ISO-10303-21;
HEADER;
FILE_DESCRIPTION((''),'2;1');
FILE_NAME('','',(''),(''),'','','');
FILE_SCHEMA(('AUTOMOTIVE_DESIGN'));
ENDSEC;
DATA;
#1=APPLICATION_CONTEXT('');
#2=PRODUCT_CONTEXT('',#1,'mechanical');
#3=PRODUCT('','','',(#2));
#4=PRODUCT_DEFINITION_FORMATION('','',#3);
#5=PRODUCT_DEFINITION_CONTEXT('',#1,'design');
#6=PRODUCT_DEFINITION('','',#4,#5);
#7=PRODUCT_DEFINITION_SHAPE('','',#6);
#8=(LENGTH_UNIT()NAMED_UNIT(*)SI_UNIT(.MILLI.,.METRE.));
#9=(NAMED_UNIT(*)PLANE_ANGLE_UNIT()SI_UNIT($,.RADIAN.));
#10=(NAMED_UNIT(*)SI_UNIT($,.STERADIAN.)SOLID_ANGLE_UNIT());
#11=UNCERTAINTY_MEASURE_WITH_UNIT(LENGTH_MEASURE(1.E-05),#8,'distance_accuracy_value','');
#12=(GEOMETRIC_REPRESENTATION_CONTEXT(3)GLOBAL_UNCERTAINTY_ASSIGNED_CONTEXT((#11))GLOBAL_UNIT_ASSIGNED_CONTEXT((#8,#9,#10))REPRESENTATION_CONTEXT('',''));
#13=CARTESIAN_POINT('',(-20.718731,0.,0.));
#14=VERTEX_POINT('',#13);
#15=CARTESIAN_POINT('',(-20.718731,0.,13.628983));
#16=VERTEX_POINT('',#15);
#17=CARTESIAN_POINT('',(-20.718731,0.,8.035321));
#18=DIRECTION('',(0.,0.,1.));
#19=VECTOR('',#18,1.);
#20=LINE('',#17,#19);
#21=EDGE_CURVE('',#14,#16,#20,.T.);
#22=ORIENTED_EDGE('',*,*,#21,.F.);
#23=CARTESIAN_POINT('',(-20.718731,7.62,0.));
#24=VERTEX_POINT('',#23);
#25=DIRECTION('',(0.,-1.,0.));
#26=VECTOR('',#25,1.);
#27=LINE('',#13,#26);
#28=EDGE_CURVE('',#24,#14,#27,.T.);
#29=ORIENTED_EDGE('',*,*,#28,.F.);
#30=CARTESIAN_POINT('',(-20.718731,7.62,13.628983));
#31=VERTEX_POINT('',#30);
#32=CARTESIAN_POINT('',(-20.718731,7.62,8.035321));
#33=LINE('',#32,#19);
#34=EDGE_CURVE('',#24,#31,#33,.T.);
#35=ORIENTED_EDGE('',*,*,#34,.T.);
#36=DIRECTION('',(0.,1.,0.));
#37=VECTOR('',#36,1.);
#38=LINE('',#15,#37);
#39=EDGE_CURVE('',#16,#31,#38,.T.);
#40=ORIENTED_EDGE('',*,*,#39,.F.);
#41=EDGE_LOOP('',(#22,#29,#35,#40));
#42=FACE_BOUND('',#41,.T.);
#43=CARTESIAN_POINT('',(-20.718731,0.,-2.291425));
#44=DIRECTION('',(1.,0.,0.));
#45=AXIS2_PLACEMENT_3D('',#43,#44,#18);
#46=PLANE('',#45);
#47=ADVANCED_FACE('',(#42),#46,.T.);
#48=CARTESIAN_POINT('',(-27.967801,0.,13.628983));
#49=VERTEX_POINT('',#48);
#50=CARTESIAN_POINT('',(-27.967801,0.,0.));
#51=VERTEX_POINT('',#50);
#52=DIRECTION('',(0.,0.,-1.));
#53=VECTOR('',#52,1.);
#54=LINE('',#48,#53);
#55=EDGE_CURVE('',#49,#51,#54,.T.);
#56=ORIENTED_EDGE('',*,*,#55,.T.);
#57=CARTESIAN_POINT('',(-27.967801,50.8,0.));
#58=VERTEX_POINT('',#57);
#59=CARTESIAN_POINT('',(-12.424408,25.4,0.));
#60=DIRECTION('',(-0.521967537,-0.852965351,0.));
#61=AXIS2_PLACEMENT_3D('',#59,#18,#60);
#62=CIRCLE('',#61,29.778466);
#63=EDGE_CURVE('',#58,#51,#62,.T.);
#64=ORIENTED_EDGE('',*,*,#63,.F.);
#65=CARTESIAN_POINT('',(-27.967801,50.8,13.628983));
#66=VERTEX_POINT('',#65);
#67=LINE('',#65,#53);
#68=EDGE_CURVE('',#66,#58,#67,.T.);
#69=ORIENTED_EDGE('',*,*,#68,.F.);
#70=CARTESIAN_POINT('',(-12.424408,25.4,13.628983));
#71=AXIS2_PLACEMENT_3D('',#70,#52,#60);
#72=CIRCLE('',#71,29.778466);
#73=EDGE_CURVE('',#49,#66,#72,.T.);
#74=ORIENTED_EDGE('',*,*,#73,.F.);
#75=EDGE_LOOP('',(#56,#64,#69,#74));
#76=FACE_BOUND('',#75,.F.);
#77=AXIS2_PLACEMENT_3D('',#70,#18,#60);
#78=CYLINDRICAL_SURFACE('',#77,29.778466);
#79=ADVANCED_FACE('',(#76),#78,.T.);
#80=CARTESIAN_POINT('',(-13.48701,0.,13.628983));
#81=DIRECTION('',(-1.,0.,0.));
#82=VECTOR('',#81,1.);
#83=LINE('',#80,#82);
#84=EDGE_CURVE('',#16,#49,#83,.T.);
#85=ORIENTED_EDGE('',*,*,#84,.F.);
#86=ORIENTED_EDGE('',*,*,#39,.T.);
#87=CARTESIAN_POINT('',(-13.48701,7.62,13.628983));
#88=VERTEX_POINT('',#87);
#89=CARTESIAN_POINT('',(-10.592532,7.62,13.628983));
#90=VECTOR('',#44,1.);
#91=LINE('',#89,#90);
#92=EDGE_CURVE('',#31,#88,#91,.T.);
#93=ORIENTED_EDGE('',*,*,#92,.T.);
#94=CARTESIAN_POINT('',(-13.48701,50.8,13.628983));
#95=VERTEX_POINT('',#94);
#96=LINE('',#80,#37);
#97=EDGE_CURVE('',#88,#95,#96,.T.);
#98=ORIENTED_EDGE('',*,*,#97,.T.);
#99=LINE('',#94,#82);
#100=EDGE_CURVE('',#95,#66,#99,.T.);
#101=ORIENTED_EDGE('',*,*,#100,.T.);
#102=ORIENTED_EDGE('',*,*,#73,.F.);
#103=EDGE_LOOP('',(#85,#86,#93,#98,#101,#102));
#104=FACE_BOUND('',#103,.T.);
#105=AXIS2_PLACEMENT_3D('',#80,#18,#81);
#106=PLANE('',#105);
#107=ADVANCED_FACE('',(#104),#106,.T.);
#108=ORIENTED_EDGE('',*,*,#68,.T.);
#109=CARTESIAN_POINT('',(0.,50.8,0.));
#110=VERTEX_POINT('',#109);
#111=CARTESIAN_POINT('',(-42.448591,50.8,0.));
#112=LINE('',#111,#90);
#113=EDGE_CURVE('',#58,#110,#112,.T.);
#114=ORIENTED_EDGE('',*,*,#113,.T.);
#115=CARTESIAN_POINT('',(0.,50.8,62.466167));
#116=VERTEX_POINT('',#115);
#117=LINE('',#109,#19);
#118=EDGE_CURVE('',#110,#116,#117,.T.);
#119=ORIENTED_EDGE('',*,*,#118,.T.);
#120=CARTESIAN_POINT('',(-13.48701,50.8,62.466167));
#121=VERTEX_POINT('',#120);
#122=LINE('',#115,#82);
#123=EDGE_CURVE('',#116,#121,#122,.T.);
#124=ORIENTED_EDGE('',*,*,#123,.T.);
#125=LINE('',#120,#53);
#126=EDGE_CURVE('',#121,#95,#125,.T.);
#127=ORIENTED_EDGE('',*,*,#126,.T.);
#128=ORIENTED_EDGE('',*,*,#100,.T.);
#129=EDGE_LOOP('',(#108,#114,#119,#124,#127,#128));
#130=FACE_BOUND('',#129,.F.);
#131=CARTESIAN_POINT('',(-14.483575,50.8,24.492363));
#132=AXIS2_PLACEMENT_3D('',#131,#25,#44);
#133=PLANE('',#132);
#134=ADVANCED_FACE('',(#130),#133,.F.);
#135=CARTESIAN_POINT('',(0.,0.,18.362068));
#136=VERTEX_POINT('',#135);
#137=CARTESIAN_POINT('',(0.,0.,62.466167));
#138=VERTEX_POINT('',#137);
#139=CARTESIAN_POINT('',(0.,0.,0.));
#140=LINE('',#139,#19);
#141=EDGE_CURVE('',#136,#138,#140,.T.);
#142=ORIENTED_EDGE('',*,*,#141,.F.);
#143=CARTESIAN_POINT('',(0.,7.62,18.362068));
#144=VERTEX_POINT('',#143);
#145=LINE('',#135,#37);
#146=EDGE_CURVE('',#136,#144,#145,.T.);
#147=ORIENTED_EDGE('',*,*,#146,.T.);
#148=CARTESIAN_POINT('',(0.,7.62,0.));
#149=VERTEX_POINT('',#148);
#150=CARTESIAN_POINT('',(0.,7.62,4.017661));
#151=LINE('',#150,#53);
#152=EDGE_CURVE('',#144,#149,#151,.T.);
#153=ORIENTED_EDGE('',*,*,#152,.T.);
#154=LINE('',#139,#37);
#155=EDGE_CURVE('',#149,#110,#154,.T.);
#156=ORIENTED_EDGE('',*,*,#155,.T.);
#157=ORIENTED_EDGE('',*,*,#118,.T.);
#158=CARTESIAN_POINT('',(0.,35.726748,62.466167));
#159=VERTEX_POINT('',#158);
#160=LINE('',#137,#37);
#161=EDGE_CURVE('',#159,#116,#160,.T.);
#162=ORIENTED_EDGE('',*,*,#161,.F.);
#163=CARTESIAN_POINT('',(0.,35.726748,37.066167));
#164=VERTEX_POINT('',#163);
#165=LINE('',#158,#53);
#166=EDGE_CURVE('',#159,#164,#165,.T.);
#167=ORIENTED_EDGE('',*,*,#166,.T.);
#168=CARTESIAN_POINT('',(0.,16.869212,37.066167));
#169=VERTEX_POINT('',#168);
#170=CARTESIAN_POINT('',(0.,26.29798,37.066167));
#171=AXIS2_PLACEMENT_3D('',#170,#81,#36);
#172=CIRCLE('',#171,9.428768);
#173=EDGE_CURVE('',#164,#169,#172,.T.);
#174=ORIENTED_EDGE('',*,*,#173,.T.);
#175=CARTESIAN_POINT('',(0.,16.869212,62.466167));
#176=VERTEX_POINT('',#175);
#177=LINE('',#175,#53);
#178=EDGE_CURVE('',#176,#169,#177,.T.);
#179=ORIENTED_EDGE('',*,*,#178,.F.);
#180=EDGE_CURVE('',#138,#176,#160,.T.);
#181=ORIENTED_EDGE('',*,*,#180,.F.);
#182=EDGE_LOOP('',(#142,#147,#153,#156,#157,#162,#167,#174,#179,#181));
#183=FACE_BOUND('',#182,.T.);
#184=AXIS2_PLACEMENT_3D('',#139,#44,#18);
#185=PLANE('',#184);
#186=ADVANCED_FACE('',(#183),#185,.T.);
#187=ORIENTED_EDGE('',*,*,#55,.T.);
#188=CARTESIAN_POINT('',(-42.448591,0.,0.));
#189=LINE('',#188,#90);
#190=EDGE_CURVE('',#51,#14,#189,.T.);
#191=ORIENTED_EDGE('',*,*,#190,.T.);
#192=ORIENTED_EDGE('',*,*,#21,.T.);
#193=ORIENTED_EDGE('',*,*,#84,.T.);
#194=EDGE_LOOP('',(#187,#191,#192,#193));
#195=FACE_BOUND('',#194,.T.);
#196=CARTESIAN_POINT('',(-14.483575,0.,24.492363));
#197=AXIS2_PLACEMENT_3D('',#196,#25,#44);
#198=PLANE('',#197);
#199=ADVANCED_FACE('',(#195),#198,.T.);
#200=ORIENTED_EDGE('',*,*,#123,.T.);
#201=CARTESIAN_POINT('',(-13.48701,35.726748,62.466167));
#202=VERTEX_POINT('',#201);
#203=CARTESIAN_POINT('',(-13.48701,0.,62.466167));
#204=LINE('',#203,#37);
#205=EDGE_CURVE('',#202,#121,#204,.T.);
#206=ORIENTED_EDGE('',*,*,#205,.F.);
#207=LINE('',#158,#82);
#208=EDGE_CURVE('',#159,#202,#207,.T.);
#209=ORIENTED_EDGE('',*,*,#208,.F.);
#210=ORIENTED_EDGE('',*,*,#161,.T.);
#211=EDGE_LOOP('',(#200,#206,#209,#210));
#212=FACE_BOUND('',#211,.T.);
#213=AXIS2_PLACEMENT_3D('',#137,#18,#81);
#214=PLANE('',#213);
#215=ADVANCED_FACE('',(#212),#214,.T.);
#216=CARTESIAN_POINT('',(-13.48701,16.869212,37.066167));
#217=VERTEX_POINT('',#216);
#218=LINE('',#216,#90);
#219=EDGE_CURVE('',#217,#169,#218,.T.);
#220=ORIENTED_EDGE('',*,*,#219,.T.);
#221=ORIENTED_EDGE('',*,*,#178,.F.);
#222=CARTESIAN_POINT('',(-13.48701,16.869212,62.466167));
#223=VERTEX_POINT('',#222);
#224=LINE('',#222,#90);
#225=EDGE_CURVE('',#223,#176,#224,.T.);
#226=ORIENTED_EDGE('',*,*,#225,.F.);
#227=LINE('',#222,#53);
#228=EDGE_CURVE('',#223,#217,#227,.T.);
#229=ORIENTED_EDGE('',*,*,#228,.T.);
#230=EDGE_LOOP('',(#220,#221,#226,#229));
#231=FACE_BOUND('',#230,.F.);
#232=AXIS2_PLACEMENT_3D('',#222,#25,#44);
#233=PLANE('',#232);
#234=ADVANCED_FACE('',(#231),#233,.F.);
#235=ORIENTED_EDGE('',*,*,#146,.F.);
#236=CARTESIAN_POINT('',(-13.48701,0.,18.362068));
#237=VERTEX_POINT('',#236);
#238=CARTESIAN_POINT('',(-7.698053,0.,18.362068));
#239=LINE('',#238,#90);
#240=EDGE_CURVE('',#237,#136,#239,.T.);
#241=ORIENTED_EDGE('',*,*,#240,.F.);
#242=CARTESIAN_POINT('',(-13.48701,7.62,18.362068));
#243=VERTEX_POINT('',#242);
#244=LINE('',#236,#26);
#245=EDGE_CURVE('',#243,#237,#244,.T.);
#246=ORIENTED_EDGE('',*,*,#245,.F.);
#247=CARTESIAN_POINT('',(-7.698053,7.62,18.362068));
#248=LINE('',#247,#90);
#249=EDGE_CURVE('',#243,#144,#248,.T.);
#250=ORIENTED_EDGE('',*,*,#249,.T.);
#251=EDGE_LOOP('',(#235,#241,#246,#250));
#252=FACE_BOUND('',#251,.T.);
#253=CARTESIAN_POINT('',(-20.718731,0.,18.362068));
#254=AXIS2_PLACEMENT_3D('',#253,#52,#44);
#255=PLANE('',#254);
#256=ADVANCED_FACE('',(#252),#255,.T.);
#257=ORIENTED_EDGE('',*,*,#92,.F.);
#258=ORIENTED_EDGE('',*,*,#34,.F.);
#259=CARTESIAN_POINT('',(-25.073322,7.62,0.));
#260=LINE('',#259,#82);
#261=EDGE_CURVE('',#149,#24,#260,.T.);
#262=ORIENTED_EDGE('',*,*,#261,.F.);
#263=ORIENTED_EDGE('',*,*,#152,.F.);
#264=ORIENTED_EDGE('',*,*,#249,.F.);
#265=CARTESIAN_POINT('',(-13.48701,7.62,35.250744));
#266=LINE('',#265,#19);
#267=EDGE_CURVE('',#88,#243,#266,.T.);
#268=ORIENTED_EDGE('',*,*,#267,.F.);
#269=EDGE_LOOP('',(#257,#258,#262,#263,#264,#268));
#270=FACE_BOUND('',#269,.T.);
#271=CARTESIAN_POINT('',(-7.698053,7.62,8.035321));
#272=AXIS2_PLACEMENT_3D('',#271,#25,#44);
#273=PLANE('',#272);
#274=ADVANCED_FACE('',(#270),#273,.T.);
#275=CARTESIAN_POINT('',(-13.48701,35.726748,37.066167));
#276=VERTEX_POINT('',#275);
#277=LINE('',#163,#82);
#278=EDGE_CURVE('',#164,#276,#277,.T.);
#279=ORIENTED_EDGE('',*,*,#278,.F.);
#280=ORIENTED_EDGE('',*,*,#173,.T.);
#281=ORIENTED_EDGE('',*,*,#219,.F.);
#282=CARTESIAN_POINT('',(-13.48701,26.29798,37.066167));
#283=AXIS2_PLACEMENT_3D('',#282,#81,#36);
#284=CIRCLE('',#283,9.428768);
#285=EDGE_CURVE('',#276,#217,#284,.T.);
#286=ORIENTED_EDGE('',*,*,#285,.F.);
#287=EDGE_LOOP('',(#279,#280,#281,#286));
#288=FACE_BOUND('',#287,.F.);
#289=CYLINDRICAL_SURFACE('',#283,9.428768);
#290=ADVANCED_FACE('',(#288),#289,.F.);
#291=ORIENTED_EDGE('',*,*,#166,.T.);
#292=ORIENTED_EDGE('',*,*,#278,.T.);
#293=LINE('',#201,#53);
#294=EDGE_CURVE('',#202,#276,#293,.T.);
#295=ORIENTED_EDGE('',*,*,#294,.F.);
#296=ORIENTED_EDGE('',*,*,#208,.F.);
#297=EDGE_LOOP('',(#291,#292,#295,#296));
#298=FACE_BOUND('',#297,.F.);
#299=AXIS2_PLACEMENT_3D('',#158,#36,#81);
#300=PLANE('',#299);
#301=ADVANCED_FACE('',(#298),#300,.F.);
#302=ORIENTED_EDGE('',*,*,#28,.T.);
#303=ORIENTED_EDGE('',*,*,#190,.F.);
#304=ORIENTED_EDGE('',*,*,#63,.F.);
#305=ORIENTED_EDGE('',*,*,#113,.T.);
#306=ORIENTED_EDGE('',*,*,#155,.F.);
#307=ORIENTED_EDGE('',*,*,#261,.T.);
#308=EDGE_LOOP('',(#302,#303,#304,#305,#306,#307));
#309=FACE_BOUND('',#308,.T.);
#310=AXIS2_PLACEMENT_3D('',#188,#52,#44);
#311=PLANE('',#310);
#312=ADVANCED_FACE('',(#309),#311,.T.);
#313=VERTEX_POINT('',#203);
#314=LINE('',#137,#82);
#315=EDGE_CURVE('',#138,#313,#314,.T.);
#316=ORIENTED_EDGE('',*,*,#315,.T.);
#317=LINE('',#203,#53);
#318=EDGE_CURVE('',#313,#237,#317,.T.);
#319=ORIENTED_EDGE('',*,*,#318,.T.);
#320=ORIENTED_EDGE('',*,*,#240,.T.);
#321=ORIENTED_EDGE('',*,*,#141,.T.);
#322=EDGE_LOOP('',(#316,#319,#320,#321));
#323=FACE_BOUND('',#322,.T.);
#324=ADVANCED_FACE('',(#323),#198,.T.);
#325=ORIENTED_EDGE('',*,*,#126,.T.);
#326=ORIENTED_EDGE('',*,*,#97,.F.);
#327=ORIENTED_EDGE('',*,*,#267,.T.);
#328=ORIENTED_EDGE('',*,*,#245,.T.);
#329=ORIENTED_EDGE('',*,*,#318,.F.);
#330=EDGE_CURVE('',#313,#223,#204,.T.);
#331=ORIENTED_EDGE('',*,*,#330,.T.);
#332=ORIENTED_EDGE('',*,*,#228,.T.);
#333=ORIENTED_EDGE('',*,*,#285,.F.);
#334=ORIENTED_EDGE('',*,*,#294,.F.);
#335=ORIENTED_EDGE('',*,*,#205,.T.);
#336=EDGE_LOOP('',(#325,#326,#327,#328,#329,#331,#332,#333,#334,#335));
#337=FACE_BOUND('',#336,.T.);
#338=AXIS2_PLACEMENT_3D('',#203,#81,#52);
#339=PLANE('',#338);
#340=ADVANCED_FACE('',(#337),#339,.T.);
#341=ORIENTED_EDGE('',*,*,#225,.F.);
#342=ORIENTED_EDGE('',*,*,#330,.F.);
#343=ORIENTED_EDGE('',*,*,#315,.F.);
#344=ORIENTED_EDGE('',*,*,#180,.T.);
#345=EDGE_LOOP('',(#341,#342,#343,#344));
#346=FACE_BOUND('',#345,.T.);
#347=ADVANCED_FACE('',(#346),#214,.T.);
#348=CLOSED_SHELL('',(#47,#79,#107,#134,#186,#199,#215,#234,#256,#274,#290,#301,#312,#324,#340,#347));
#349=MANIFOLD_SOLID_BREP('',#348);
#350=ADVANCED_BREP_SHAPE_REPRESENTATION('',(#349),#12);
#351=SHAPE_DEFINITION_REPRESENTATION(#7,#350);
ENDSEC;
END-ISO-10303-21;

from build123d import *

# Parameters (mm, degrees)
F1_DEPTH = 50.8
F3_DEPTH = 25.4
F4_W     = 26.0413559154
F4_H     = 20.6534923054
F5_DEPTH = 7.62
F7_DEPTH = 25.4
F9_DEPTH = 25.4


with BuildPart() as f1:
    # F0 (on Front) → F1 (new body)
    with BuildSketch(Plane.XZ):
        Polygon((-42.4485914409, 0), (0, 0), (0, 62.4661669135), (-13.4870102629, 62.4661669135), (-13.4870102629, 13.6289829388), (-42.4485914409, 13.6289829388), align=None)
    extrude(amount=-F1_DEPTH)

    # F2 (on face) → F3 (cut)
    with BuildSketch(Plane.XY.offset(13.6289829388)):
        with BuildLine():
            ThreePointArc((-27.9678008519, 0), (-42.2028744607, 25.4), (-27.9678008519, 50.8))
            Line((-27.9678008519, 50.8), (-42.4485914409, 50.8))
            Line((-42.4485914409, 50.8), (-42.4485914409, 0))
            Line((-42.4485914409, 0), (-27.9678008519, 0))
        make_face()
    extrude(amount=-F3_DEPTH, mode=Mode.SUBTRACT)

    # F4 (on face) → F5 (cut)
    with BuildSketch(Plane.XZ):
        with Locations((-7.6980530284, 8.0353214871)):
            Rectangle(F4_W, F4_H)
    extrude(amount=-F5_DEPTH, mode=Mode.SUBTRACT)

    # F6 (on face) → F7 (cut)
    with BuildSketch(Plane.XY.offset(62.4661669135)):
        Polygon((0, 16.8692115694), (0, 25.4), (0, 35.7267484069), (-13.4870102629, 35.7267484069), (-13.4870102629, 16.8692115694), align=None)
    extrude(amount=-F7_DEPTH, mode=Mode.SUBTRACT)

    # F8 (on face) → F9 (cut)
    with BuildSketch(Plane(origin=(-13.4870102629, 0, 0), x_dir=(0, -1, 0), z_dir=(-1, 0, 0))):
        with BuildLine():
            Line((-16.8692115694, 37.0661669135), (-35.7267484069, 37.0661669135))
            ThreePointArc((-35.7267484069, 37.0661669135), (-26.2979799882, 27.6373984948), (-16.8692115694, 37.0661669135))
        make_face()
    extrude(amount=-F9_DEPTH, mode=Mode.SUBTRACT)


solid = f1.part
